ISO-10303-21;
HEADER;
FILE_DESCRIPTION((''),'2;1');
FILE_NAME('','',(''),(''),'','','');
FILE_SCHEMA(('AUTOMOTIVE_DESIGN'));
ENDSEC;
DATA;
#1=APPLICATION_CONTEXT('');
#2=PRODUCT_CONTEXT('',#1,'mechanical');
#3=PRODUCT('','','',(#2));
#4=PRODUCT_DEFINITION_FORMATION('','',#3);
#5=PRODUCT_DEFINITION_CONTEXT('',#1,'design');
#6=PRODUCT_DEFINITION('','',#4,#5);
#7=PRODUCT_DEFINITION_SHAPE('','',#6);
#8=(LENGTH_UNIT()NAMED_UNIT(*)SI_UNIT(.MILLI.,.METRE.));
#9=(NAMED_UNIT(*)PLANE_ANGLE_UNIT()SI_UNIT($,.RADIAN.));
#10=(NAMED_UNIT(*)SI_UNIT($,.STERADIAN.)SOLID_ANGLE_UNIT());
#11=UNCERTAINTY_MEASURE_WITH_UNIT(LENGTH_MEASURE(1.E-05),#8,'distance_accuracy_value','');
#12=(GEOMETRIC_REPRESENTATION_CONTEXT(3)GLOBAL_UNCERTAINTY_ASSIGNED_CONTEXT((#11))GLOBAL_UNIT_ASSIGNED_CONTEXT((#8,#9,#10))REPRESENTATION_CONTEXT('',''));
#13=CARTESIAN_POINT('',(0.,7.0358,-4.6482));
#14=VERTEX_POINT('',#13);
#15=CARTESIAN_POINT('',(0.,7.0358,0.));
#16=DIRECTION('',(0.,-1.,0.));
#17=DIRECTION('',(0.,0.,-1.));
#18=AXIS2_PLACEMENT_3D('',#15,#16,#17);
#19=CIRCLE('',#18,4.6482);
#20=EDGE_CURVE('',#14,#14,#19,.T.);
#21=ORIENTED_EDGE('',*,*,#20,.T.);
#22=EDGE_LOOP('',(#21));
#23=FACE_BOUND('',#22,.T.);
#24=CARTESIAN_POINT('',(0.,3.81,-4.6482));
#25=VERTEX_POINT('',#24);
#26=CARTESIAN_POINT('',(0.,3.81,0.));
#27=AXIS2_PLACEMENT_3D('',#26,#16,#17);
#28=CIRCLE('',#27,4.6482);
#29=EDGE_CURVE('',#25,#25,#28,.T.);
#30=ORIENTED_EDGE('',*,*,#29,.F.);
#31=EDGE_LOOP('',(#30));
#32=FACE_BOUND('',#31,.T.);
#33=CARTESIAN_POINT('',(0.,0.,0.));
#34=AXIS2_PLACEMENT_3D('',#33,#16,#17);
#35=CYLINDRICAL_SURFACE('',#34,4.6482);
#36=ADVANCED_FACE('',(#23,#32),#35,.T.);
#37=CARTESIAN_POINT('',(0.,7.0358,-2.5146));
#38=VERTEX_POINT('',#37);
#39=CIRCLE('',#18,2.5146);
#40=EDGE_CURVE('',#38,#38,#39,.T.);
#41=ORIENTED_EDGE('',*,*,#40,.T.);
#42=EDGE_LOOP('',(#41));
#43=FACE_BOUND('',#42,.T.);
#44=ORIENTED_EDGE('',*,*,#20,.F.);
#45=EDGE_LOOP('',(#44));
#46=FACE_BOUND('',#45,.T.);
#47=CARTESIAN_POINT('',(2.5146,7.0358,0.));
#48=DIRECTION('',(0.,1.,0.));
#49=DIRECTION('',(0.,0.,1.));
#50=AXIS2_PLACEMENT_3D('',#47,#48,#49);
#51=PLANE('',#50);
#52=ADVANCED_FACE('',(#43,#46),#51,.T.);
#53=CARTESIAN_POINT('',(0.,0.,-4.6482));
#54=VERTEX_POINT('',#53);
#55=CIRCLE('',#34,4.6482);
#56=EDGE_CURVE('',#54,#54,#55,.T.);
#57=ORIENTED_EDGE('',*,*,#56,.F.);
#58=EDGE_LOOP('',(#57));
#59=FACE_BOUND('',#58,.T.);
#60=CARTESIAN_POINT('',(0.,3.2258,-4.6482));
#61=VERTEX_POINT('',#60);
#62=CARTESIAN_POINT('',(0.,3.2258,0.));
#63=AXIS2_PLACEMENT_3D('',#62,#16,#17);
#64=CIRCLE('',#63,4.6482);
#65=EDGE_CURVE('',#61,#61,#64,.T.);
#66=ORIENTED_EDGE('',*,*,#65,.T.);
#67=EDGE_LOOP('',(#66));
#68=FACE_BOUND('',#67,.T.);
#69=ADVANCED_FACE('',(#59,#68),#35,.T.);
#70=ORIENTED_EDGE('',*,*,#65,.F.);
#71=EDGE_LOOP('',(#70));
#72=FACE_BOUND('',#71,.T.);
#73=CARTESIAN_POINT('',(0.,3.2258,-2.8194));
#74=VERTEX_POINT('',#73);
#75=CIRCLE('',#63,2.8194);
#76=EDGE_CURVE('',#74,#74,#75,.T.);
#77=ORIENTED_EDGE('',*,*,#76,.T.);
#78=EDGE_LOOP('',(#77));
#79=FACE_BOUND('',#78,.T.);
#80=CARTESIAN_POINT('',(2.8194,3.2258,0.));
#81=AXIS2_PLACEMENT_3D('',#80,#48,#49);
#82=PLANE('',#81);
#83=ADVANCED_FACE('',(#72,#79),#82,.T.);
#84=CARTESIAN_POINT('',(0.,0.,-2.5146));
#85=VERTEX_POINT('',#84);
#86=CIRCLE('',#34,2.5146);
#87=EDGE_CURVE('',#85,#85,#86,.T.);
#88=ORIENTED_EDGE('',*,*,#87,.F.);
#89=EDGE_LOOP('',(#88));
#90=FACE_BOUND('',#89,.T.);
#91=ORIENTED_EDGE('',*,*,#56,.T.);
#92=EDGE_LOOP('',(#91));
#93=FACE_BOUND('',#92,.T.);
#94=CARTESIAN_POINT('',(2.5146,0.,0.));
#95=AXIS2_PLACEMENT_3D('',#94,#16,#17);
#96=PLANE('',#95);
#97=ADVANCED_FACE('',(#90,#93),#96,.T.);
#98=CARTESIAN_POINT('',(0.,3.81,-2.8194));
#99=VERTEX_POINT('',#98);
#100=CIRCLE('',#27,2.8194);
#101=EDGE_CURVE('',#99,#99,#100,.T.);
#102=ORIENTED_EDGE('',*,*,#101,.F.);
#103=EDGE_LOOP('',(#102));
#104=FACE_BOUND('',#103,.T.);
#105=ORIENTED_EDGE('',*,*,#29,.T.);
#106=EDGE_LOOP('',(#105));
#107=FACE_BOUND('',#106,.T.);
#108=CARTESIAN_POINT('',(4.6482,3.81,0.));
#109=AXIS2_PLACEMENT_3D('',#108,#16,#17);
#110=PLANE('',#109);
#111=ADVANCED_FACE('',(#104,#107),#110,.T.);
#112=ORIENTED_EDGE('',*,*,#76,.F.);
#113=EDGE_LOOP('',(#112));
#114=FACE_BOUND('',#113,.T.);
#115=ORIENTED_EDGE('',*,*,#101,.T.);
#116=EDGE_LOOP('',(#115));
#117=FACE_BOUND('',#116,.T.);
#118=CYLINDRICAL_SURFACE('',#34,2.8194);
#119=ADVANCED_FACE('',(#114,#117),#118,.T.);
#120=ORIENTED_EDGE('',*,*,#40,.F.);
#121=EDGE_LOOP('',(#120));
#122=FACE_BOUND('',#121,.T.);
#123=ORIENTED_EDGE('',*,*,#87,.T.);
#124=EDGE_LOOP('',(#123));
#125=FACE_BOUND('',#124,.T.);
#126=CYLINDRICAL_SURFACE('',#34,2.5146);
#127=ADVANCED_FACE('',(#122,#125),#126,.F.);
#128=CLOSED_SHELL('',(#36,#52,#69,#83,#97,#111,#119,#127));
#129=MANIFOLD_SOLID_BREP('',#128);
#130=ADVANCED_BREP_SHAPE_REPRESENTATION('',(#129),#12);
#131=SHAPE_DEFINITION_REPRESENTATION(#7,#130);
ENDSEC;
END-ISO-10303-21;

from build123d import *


with BuildPart() as part:
    # Sketch1 → Revolve1 (revolve)
    with BuildSketch(Plane.XY):
        Polygon((2.5146, 0), (2.5146, 7.0358), (4.6482, 7.0358), (4.6482, 3.81), (4.575879576, 3.81), (2.8194, 3.81), (2.8194, 3.2258), (4.6482, 3.2258), (4.6482, 0), align=None)
    revolve(axis=Axis((0, 0, 0), (0, 1, 0)))


solid = part.part
